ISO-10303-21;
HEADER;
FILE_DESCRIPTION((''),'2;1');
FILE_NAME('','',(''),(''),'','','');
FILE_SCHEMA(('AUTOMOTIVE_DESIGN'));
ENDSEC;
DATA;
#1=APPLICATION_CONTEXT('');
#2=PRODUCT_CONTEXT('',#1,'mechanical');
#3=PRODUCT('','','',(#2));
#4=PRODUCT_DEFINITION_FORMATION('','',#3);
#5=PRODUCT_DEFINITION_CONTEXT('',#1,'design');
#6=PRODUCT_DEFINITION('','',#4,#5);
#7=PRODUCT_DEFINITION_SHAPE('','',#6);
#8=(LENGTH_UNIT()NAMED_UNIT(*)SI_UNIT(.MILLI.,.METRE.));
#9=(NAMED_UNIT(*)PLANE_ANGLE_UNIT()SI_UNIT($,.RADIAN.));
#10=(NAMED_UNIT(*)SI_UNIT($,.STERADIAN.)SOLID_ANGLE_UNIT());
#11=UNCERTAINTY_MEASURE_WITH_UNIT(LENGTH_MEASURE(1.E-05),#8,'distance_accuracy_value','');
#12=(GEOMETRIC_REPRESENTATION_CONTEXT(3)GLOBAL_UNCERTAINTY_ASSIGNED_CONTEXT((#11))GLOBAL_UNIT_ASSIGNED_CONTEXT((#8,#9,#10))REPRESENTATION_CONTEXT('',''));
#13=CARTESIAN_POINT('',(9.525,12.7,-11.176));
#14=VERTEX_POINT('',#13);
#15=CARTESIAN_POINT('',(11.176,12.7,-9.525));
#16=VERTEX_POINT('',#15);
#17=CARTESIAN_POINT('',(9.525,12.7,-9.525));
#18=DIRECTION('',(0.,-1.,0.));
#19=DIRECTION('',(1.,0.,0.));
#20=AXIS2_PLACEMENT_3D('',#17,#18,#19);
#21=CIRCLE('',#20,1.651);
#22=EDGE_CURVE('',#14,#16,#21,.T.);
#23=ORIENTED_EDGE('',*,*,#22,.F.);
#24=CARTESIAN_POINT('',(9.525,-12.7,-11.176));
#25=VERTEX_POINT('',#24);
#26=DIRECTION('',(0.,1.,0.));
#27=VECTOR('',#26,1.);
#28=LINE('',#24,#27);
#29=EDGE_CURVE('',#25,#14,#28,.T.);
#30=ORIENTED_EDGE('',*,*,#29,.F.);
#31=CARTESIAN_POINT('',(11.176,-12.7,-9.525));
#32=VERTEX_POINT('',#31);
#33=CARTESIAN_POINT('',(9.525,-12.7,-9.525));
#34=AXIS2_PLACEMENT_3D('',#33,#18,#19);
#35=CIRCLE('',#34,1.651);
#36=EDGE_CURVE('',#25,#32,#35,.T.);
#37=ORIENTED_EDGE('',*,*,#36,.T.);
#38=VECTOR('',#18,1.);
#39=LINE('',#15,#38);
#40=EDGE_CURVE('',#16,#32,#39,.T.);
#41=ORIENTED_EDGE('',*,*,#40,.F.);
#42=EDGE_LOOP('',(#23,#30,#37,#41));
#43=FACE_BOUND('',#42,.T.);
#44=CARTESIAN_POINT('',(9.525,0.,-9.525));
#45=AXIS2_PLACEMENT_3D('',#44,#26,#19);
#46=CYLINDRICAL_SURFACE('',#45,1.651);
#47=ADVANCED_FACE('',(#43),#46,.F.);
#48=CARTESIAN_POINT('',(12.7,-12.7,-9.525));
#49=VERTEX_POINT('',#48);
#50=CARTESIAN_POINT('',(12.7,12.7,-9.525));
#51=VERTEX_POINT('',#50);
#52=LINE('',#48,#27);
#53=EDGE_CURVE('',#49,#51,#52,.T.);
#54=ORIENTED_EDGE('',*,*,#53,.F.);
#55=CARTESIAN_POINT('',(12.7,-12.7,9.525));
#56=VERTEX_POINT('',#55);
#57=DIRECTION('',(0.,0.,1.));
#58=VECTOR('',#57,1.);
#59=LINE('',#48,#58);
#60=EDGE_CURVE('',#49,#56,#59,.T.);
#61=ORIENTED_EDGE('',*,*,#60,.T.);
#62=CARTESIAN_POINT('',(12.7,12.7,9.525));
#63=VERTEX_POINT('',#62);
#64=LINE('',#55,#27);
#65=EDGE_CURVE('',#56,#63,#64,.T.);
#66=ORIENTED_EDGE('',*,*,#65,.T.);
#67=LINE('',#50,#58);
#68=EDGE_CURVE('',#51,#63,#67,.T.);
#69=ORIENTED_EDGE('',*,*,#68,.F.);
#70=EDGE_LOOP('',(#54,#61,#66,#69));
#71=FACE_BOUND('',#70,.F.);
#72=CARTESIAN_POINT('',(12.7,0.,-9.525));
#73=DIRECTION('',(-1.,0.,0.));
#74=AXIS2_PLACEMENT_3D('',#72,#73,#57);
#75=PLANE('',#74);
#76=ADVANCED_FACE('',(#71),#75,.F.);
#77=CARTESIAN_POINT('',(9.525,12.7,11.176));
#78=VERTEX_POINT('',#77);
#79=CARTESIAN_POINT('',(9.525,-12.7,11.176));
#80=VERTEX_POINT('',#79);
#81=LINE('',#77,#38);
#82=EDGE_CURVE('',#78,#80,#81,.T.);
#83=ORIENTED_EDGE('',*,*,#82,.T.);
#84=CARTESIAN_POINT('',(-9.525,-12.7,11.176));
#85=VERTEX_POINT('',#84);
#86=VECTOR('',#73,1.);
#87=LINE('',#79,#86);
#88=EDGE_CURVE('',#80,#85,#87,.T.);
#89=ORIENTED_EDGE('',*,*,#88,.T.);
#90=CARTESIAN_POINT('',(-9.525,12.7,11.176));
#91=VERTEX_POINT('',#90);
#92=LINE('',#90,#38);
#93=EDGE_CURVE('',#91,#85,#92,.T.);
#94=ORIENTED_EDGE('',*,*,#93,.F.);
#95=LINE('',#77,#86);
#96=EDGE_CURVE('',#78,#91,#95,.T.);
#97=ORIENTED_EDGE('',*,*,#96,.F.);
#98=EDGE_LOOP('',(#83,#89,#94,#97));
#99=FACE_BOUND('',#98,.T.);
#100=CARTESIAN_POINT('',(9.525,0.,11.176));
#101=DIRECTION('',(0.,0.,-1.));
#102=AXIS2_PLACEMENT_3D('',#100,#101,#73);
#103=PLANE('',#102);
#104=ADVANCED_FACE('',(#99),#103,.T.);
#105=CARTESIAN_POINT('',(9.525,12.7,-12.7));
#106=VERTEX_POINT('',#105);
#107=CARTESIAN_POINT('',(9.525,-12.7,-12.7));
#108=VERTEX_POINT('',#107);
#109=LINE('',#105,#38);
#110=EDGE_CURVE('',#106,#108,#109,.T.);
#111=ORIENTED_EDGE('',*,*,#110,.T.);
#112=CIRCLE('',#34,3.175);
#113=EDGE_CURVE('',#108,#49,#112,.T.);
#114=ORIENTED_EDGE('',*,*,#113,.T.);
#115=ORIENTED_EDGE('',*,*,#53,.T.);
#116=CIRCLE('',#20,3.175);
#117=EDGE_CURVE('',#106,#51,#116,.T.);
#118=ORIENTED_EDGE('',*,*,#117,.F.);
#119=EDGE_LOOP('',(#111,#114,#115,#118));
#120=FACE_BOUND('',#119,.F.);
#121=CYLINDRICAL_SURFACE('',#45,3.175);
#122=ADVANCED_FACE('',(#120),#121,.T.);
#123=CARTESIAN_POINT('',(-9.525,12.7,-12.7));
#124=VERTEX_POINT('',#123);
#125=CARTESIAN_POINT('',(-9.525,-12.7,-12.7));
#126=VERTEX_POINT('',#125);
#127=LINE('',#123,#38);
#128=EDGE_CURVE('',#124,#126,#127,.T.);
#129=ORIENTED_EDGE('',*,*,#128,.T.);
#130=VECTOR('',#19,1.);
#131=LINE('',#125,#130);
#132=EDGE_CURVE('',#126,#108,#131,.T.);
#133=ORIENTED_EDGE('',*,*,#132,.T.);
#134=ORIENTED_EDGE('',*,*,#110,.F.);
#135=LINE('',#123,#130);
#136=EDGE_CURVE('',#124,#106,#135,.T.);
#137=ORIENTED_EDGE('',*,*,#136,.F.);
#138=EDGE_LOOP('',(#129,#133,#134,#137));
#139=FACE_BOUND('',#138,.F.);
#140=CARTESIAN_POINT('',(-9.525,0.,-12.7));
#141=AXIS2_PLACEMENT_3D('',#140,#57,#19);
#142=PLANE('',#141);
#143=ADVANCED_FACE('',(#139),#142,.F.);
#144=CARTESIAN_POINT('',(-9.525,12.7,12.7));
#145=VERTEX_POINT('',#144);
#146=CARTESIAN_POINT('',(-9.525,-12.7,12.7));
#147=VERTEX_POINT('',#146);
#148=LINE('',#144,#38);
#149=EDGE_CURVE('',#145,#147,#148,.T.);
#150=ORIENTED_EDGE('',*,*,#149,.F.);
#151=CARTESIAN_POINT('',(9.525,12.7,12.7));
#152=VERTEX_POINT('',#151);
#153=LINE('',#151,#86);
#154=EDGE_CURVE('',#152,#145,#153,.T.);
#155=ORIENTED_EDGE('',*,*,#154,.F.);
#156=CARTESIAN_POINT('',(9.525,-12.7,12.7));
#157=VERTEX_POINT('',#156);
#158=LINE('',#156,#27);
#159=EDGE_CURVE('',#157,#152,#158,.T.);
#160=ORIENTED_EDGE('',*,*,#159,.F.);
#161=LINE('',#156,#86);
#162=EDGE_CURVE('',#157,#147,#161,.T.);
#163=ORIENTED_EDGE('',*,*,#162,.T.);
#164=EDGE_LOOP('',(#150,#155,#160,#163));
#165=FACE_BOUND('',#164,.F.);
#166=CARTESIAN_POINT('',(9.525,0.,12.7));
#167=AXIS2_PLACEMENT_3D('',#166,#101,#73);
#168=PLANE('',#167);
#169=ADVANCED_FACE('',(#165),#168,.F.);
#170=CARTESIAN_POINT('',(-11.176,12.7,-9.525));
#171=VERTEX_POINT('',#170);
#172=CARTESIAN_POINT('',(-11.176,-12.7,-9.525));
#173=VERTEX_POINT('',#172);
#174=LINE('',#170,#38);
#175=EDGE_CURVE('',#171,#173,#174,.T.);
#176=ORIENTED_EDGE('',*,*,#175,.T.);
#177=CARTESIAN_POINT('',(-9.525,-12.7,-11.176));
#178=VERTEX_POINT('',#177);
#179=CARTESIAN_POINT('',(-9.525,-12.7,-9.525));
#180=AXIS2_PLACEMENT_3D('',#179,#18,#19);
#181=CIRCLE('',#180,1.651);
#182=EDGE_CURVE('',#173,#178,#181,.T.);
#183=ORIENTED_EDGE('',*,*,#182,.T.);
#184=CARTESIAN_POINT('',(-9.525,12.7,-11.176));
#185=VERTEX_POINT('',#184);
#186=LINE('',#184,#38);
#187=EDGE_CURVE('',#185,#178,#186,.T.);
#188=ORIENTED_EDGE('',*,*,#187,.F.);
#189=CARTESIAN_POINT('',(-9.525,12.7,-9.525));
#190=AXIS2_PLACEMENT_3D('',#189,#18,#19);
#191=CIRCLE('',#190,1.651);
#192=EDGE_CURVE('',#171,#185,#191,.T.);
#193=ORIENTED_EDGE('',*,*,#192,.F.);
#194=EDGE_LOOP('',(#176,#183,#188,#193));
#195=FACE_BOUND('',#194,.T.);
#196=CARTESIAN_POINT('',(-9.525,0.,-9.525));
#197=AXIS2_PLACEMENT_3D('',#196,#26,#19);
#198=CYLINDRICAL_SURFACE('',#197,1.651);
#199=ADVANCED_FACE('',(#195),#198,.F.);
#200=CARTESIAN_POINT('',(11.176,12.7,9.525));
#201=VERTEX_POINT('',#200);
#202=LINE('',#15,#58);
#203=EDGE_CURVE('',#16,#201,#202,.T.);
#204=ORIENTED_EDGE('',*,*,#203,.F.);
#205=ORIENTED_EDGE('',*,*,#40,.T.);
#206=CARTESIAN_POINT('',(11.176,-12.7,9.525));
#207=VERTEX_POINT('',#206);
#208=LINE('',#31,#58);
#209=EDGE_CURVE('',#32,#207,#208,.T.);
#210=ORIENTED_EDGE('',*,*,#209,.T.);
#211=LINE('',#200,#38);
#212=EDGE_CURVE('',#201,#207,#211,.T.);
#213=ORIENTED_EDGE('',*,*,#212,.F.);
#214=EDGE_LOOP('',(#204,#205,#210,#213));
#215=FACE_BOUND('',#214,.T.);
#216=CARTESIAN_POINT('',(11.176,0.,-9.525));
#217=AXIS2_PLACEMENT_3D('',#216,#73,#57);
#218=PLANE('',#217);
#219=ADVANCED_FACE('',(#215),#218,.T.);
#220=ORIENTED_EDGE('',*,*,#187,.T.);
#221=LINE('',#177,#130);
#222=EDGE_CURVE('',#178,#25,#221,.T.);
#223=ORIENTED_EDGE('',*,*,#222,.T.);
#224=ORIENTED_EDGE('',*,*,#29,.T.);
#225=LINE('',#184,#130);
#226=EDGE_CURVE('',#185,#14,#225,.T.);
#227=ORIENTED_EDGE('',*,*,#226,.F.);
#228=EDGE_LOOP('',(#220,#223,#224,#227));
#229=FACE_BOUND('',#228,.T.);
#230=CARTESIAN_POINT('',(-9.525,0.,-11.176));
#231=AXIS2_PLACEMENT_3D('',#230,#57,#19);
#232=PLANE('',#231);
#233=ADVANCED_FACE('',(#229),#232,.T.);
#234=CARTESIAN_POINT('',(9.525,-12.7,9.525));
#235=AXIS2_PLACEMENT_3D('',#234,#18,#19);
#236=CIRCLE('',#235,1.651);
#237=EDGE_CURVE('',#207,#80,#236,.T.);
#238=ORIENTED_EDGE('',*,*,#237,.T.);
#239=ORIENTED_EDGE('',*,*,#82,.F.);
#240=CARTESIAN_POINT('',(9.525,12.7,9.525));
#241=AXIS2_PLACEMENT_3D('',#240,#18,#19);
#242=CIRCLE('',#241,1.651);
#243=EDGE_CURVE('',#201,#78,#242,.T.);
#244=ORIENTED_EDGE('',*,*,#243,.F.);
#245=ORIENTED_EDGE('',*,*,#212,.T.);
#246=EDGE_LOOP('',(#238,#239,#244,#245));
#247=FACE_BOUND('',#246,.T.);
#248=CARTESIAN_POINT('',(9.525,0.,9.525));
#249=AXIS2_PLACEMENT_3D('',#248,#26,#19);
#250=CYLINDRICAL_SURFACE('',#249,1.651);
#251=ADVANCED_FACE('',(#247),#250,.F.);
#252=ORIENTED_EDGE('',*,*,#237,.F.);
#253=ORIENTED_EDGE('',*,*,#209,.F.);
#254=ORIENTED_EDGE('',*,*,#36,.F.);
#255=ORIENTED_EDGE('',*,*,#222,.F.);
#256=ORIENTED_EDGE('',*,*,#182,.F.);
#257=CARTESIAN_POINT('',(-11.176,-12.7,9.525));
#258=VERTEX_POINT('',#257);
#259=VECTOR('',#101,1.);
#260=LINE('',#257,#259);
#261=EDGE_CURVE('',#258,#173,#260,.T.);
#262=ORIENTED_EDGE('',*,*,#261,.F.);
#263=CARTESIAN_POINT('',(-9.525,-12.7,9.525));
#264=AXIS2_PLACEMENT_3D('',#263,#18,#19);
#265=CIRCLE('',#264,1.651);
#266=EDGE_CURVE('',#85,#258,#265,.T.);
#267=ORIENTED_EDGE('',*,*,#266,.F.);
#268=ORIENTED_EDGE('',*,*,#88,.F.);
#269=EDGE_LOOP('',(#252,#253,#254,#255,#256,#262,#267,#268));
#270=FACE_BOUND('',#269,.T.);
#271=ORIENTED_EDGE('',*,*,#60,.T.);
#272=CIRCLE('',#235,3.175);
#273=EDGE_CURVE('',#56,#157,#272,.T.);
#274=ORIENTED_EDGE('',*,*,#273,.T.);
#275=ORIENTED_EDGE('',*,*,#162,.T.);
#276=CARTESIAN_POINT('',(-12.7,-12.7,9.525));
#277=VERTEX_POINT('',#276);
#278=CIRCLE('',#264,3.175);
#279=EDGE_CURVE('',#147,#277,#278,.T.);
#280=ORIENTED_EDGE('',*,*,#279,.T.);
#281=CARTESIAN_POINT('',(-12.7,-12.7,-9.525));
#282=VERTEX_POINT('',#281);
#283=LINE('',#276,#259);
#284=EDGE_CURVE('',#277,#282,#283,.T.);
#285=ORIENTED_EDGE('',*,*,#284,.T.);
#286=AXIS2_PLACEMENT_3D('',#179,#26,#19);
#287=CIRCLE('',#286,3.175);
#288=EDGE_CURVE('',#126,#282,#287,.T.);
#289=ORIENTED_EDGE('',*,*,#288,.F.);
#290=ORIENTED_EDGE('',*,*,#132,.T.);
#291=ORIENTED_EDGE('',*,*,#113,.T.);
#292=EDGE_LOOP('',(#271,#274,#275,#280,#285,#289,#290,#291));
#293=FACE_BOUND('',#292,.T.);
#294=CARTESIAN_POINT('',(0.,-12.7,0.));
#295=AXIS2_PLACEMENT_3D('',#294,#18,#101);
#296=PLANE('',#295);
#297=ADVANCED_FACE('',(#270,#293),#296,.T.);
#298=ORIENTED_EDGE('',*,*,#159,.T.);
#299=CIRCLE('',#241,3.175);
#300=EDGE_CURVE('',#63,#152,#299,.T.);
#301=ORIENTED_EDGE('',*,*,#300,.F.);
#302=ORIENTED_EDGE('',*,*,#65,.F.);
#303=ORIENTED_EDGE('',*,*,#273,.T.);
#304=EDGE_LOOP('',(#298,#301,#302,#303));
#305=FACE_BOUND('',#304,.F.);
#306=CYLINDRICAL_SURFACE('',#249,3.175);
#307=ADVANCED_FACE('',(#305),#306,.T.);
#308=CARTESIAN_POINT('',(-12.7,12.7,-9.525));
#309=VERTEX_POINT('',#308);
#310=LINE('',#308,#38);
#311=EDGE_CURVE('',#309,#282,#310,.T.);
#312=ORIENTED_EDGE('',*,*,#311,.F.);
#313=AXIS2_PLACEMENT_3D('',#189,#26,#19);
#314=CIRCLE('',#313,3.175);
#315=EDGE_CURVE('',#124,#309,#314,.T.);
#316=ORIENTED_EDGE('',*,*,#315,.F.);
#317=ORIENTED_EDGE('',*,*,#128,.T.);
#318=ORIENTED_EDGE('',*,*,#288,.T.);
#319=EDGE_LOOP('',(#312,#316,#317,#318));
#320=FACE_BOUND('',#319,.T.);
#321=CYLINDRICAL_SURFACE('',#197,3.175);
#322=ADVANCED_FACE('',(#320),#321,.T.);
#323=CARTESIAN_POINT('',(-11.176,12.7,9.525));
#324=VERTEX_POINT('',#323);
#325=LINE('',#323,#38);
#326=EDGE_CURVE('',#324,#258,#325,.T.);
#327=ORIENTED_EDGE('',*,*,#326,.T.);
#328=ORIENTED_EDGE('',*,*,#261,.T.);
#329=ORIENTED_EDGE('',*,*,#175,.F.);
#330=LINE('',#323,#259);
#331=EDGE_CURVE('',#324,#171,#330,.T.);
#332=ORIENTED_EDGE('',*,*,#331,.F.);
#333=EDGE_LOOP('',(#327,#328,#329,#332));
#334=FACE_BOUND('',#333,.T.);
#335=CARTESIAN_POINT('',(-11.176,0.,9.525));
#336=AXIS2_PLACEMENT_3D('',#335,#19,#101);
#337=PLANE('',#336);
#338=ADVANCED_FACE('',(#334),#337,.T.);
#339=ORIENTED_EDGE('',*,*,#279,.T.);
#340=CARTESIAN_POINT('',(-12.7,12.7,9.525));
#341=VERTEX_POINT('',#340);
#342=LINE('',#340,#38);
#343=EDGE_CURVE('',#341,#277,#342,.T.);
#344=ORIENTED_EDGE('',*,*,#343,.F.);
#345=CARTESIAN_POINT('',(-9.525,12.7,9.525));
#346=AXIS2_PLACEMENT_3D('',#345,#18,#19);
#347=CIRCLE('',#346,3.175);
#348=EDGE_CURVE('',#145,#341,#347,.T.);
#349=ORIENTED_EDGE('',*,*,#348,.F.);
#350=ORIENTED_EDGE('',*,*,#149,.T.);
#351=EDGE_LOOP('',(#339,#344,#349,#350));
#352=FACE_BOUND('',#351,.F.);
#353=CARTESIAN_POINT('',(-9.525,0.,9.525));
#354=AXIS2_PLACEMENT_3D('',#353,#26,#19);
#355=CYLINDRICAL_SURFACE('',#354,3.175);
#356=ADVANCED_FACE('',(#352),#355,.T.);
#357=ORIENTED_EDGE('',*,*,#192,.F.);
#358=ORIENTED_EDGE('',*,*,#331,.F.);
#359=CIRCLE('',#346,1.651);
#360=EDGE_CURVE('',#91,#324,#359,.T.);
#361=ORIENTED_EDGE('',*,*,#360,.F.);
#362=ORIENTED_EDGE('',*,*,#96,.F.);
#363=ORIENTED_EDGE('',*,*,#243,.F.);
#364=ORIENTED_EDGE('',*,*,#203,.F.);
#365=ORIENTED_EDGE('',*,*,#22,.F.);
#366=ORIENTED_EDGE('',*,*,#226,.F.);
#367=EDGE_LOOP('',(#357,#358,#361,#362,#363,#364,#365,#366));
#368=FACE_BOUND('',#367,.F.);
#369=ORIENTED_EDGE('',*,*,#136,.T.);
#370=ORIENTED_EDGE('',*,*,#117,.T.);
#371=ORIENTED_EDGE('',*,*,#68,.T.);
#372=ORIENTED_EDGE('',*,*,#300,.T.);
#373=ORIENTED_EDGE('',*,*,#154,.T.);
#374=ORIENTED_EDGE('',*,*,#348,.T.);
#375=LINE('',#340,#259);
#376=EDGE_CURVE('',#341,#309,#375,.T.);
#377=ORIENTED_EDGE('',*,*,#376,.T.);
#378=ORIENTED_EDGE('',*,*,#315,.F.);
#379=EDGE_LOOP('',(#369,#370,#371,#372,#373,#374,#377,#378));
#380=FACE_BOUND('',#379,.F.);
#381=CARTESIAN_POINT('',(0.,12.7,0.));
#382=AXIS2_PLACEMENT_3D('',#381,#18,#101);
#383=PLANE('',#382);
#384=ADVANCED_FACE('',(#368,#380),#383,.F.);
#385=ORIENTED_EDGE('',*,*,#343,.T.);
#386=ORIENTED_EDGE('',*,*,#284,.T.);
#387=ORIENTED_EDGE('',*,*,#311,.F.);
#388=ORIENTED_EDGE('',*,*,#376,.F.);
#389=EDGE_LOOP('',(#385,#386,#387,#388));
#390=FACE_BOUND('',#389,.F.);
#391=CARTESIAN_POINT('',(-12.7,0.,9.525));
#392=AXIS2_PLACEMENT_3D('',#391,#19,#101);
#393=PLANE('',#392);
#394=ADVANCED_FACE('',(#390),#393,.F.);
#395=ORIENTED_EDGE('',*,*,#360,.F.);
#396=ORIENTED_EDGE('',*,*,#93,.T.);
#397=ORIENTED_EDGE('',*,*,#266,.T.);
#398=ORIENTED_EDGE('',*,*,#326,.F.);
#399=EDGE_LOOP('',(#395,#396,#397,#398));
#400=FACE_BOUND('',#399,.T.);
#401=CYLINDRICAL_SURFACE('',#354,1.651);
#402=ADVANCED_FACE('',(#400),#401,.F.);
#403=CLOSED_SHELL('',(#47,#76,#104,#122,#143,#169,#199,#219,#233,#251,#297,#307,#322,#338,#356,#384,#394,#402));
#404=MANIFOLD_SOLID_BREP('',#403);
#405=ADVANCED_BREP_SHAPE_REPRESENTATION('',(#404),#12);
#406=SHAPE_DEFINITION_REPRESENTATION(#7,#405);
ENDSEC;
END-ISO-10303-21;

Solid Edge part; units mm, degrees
sketch "Sketch1" plane through (0, 0, 0) normal (0, -1, 0) x (1, 0, 0)
  line L0 (9.525, 12.7) -> (-9.525, 12.7)
  arc A0 (-9.525, 12.7) -> (-12.7, 9.525) centre (-9.525, 9.525) ccw
  line L1 (-12.7, 9.525) -> (-12.7, -9.525)
  arc A1 (-9.525, -12.7) -> (-12.7, -9.525) centre (-9.525, -9.525) cw
  line L2 (-9.525, -12.7) -> (9.525, -12.7)
  arc A2 (9.525, -12.7) -> (12.7, -9.525) centre (9.525, -9.525) ccw
  line L3 (12.7, -9.525) -> (12.7, 9.525)
  arc A3 (12.7, 9.525) -> (9.525, 12.7) centre (9.525, 9.525) ccw
  line L4 (9.525, 11.176) -> (-9.525, 11.176)
  arc A4 (-9.525, 11.176) -> (-11.176, 9.525) centre (-9.525, 9.525) ccw
  line L5 (-11.176, 9.525) -> (-11.176, -9.525)
  arc A5 (-11.176, -9.525) -> (-9.525, -11.176) centre (-9.525, -9.525) ccw
  line L6 (-9.525, -11.176) -> (9.525, -11.176)
  arc A6 (9.525, -11.176) -> (11.176, -9.525) centre (9.525, -9.525) ccw
  line L7 (11.176, -9.525) -> (11.176, 9.525)
  arc A7 (11.176, 9.525) -> (9.525, 11.176) centre (9.525, 9.525) ccw
extrude "Protrusion1" add sketch "Sketch1" along normal mid plane 25.4
properties material "Steel"
